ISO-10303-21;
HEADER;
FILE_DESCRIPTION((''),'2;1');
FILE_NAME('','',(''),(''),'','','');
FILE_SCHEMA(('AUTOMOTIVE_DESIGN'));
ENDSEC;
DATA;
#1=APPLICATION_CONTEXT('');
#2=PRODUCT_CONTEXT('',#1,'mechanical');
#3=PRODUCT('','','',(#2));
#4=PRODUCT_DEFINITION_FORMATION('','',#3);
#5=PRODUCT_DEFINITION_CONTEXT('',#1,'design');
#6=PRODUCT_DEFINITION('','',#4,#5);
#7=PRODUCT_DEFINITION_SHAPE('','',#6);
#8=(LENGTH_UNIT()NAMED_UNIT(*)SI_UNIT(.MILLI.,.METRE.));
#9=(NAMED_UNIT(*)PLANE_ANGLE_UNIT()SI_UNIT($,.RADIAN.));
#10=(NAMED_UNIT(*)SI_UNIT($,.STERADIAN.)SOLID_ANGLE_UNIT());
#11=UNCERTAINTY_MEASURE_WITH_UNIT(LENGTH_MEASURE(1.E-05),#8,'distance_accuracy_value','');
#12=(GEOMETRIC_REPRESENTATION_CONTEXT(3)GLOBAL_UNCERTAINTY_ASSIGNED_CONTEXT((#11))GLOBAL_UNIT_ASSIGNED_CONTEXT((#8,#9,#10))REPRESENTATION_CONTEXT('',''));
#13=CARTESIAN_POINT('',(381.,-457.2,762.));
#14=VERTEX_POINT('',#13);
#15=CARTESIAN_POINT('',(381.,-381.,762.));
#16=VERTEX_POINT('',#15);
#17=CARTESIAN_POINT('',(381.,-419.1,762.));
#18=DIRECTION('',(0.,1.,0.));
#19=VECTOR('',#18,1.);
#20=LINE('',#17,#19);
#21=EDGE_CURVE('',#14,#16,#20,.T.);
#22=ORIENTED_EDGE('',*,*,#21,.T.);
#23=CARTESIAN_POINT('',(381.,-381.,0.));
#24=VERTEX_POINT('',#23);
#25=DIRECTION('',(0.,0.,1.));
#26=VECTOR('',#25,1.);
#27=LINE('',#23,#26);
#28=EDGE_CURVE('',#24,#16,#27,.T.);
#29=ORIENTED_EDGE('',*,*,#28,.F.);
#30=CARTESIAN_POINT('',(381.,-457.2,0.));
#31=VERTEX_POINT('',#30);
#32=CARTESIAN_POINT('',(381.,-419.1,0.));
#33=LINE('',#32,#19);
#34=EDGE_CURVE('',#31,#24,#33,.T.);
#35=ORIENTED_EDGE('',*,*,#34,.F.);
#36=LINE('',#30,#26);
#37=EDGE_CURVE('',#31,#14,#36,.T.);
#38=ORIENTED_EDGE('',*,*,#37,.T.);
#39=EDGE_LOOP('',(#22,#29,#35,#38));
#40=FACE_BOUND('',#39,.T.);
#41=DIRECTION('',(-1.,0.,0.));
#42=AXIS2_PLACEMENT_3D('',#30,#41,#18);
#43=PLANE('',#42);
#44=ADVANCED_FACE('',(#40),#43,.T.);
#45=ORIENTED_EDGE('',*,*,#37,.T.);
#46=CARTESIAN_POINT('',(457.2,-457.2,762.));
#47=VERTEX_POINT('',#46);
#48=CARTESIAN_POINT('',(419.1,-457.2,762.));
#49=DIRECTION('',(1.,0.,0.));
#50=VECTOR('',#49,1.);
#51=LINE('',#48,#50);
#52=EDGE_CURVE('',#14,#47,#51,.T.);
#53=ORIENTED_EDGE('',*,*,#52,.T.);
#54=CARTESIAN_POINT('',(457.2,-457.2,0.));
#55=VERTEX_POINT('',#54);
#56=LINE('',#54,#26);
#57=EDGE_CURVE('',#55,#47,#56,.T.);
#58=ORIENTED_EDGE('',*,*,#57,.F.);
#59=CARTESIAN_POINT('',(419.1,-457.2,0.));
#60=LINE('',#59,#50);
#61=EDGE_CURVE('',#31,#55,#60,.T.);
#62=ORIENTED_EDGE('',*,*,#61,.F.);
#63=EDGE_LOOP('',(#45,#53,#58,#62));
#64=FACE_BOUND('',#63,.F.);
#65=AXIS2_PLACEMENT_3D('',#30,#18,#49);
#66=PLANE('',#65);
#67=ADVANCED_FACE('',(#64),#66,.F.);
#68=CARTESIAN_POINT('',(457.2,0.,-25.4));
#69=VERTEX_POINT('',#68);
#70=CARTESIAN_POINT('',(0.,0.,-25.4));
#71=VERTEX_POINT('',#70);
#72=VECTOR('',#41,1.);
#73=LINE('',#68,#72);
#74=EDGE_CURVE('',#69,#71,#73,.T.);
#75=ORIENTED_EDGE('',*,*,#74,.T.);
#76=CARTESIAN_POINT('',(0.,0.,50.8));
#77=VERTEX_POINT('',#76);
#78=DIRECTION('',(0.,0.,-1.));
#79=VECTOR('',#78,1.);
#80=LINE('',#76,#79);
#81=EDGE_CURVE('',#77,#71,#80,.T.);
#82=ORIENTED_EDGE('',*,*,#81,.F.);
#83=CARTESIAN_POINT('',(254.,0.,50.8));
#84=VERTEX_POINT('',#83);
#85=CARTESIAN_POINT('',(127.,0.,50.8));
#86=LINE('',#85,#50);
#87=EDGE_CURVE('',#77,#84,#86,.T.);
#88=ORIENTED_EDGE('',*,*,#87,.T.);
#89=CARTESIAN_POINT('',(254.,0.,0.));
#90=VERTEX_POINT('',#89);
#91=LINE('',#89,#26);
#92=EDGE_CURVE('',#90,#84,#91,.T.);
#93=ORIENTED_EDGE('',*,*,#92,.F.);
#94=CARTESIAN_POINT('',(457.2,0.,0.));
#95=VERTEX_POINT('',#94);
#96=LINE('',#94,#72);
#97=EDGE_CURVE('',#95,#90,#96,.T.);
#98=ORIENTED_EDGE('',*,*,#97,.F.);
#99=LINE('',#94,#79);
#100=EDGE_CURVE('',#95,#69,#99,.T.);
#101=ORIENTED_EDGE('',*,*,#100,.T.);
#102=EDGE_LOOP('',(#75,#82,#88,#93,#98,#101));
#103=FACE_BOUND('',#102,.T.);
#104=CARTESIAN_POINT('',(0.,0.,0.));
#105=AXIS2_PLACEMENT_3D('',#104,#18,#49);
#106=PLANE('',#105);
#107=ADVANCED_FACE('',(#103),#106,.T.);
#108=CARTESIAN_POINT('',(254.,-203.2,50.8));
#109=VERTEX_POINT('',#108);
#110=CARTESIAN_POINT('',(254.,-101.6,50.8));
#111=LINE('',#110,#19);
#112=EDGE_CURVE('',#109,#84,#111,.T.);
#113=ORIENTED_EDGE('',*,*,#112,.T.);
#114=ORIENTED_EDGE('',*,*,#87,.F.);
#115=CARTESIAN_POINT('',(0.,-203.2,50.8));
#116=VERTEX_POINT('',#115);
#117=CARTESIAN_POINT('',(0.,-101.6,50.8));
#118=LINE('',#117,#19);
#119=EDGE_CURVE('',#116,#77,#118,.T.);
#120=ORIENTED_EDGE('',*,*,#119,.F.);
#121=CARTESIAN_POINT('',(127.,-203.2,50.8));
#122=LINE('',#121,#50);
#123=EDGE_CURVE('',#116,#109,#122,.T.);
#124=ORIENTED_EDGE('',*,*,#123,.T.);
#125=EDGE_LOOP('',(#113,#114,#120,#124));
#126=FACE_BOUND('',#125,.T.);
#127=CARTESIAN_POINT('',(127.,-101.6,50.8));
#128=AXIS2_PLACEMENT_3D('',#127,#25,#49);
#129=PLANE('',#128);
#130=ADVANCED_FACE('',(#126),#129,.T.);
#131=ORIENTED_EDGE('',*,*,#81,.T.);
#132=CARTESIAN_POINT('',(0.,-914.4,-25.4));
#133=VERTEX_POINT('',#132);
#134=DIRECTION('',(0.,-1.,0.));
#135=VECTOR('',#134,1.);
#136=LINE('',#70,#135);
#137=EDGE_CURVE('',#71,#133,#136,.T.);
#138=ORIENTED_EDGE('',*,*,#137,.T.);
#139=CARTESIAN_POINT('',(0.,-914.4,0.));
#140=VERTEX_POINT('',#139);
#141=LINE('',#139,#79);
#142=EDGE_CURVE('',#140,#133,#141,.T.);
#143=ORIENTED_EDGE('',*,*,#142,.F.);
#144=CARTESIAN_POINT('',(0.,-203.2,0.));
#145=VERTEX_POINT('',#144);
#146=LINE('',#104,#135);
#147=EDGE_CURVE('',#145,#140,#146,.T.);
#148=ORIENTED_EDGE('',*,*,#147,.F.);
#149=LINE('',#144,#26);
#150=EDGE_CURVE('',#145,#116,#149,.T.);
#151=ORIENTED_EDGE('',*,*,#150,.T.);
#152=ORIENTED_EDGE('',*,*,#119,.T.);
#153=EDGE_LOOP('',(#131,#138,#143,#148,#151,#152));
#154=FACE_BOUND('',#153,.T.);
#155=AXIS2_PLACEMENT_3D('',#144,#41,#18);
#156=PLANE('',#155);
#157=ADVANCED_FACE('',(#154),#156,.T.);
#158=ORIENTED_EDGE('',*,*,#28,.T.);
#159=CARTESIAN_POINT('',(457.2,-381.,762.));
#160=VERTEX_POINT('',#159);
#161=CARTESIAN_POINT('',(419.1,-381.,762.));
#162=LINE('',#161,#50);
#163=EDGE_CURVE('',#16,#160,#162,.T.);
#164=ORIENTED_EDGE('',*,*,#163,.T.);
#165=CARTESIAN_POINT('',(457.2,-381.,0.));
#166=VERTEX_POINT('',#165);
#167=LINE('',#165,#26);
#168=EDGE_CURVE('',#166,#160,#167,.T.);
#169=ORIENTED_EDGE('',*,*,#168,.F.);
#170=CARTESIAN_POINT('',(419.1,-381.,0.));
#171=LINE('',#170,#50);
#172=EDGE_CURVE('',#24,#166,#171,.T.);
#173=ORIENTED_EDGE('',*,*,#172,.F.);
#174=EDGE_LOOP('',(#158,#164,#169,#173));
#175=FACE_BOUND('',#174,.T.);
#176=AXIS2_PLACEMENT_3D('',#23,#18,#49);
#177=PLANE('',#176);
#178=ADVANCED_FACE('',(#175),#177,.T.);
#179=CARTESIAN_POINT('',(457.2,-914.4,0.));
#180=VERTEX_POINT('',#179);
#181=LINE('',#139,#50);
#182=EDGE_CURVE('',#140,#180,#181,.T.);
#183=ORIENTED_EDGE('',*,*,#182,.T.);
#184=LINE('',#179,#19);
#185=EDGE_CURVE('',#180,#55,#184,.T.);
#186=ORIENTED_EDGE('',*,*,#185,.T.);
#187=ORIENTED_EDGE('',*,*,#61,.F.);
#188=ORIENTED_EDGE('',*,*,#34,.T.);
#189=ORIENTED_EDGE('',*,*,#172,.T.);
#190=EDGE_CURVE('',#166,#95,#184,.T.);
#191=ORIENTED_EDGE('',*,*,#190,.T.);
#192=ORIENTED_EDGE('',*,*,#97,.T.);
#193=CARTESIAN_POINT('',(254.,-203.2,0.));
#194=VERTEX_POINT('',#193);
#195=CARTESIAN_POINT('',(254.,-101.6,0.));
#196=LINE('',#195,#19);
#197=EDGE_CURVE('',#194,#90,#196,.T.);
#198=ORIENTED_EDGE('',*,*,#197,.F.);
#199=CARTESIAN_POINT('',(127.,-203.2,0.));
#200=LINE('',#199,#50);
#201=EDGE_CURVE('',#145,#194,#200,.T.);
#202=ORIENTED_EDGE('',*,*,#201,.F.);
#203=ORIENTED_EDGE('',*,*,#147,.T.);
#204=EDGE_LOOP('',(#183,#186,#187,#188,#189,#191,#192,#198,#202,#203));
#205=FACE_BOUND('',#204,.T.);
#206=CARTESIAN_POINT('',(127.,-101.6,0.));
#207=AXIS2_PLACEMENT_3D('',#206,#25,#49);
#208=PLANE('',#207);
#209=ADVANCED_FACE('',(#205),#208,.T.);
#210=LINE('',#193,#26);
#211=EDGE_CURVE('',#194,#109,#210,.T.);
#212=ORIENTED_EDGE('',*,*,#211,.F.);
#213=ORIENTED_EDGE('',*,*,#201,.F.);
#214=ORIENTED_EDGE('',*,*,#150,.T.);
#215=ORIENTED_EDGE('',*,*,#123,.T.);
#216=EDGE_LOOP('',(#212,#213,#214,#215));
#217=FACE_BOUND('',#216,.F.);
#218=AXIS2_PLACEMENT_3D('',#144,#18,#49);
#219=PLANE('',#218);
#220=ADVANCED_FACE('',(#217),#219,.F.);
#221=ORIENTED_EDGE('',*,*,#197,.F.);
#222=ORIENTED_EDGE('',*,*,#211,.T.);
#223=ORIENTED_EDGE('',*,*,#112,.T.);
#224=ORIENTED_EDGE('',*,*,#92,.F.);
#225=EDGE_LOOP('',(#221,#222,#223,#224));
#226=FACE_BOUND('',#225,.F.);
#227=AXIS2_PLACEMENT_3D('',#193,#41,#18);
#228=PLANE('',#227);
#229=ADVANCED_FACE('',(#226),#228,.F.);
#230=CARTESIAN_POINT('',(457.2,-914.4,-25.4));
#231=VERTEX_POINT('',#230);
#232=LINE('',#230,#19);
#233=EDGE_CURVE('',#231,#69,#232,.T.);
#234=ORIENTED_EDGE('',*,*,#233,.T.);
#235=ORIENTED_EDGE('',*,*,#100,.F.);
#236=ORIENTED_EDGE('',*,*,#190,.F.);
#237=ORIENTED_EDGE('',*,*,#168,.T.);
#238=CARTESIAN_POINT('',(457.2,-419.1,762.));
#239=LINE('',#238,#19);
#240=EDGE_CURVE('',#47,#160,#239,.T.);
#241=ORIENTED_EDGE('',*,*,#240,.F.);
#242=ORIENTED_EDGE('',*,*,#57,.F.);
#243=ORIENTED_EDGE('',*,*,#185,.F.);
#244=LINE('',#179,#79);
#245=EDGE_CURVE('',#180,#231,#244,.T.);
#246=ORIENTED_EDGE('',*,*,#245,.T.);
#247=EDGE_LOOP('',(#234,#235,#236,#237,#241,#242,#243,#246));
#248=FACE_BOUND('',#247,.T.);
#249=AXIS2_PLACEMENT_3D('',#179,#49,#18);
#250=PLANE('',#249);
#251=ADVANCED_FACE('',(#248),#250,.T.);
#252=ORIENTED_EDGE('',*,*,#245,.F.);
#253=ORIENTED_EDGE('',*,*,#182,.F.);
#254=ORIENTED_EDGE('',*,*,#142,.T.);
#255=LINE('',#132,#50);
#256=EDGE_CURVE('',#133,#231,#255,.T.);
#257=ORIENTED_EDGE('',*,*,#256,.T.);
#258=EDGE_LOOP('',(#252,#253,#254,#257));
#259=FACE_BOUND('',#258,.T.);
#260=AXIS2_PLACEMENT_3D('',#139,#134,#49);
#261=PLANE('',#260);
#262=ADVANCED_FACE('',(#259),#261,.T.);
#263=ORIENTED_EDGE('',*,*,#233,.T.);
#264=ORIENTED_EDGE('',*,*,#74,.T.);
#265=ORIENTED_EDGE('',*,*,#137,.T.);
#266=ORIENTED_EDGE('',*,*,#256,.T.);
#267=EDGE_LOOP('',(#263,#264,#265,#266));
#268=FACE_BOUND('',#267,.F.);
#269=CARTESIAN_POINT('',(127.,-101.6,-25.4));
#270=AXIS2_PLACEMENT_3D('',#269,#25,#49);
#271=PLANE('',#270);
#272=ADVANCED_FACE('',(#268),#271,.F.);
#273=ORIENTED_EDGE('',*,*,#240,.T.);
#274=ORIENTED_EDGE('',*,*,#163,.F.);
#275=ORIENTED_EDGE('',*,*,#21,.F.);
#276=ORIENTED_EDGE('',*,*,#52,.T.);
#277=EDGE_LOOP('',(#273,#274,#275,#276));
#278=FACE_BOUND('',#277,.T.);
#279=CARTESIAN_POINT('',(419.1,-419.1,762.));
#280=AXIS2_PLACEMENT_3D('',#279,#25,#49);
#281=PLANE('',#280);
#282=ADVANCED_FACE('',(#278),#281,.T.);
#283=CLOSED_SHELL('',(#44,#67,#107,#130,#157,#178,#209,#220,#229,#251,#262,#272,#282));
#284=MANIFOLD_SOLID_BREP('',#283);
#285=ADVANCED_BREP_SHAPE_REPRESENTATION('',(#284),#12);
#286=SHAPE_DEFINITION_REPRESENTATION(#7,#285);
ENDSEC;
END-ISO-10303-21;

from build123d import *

# Parameters (mm, degrees)
F0_W     = 254
F0_H     = 203.2
F0_W_2   = 76.2
F0_H_2   = 76.2
F1_DEPTH = 25.4
F2_DEPTH = 50.8
F3_DEPTH = 762


with BuildPart() as f1:
    # F0 (on Top) → F1 (new body)
    with BuildSketch(Plane.XY):
        with Locations((127, -101.6)):
            Rectangle(F0_W, F0_H)
        Polygon((457.2, 0), (254, 0), (254, -203.2), (0, -203.2), (0, -914.4), (457.2, -914.4), (457.2, -457.2), (381, -457.2), (381, -381), (457.2, -381), align=None)
        with Locations((419.1, -419.1)):
            Rectangle(F0_W_2, F0_H_2)
    extrude(amount=-F1_DEPTH)

    # F0 (on Top) → F2 (join)
    with BuildSketch(Plane.XY):
        with Locations((127, -101.6)):
            Rectangle(F0_W, F0_H)
    extrude(amount=F2_DEPTH)

    # F0 (on Top) → F3 (join)
    with BuildSketch(Plane.XY):
        with Locations((419.1, -419.1)):
            Rectangle(F0_W_2, F0_H_2)
    extrude(amount=F3_DEPTH)


solid = f1.part
